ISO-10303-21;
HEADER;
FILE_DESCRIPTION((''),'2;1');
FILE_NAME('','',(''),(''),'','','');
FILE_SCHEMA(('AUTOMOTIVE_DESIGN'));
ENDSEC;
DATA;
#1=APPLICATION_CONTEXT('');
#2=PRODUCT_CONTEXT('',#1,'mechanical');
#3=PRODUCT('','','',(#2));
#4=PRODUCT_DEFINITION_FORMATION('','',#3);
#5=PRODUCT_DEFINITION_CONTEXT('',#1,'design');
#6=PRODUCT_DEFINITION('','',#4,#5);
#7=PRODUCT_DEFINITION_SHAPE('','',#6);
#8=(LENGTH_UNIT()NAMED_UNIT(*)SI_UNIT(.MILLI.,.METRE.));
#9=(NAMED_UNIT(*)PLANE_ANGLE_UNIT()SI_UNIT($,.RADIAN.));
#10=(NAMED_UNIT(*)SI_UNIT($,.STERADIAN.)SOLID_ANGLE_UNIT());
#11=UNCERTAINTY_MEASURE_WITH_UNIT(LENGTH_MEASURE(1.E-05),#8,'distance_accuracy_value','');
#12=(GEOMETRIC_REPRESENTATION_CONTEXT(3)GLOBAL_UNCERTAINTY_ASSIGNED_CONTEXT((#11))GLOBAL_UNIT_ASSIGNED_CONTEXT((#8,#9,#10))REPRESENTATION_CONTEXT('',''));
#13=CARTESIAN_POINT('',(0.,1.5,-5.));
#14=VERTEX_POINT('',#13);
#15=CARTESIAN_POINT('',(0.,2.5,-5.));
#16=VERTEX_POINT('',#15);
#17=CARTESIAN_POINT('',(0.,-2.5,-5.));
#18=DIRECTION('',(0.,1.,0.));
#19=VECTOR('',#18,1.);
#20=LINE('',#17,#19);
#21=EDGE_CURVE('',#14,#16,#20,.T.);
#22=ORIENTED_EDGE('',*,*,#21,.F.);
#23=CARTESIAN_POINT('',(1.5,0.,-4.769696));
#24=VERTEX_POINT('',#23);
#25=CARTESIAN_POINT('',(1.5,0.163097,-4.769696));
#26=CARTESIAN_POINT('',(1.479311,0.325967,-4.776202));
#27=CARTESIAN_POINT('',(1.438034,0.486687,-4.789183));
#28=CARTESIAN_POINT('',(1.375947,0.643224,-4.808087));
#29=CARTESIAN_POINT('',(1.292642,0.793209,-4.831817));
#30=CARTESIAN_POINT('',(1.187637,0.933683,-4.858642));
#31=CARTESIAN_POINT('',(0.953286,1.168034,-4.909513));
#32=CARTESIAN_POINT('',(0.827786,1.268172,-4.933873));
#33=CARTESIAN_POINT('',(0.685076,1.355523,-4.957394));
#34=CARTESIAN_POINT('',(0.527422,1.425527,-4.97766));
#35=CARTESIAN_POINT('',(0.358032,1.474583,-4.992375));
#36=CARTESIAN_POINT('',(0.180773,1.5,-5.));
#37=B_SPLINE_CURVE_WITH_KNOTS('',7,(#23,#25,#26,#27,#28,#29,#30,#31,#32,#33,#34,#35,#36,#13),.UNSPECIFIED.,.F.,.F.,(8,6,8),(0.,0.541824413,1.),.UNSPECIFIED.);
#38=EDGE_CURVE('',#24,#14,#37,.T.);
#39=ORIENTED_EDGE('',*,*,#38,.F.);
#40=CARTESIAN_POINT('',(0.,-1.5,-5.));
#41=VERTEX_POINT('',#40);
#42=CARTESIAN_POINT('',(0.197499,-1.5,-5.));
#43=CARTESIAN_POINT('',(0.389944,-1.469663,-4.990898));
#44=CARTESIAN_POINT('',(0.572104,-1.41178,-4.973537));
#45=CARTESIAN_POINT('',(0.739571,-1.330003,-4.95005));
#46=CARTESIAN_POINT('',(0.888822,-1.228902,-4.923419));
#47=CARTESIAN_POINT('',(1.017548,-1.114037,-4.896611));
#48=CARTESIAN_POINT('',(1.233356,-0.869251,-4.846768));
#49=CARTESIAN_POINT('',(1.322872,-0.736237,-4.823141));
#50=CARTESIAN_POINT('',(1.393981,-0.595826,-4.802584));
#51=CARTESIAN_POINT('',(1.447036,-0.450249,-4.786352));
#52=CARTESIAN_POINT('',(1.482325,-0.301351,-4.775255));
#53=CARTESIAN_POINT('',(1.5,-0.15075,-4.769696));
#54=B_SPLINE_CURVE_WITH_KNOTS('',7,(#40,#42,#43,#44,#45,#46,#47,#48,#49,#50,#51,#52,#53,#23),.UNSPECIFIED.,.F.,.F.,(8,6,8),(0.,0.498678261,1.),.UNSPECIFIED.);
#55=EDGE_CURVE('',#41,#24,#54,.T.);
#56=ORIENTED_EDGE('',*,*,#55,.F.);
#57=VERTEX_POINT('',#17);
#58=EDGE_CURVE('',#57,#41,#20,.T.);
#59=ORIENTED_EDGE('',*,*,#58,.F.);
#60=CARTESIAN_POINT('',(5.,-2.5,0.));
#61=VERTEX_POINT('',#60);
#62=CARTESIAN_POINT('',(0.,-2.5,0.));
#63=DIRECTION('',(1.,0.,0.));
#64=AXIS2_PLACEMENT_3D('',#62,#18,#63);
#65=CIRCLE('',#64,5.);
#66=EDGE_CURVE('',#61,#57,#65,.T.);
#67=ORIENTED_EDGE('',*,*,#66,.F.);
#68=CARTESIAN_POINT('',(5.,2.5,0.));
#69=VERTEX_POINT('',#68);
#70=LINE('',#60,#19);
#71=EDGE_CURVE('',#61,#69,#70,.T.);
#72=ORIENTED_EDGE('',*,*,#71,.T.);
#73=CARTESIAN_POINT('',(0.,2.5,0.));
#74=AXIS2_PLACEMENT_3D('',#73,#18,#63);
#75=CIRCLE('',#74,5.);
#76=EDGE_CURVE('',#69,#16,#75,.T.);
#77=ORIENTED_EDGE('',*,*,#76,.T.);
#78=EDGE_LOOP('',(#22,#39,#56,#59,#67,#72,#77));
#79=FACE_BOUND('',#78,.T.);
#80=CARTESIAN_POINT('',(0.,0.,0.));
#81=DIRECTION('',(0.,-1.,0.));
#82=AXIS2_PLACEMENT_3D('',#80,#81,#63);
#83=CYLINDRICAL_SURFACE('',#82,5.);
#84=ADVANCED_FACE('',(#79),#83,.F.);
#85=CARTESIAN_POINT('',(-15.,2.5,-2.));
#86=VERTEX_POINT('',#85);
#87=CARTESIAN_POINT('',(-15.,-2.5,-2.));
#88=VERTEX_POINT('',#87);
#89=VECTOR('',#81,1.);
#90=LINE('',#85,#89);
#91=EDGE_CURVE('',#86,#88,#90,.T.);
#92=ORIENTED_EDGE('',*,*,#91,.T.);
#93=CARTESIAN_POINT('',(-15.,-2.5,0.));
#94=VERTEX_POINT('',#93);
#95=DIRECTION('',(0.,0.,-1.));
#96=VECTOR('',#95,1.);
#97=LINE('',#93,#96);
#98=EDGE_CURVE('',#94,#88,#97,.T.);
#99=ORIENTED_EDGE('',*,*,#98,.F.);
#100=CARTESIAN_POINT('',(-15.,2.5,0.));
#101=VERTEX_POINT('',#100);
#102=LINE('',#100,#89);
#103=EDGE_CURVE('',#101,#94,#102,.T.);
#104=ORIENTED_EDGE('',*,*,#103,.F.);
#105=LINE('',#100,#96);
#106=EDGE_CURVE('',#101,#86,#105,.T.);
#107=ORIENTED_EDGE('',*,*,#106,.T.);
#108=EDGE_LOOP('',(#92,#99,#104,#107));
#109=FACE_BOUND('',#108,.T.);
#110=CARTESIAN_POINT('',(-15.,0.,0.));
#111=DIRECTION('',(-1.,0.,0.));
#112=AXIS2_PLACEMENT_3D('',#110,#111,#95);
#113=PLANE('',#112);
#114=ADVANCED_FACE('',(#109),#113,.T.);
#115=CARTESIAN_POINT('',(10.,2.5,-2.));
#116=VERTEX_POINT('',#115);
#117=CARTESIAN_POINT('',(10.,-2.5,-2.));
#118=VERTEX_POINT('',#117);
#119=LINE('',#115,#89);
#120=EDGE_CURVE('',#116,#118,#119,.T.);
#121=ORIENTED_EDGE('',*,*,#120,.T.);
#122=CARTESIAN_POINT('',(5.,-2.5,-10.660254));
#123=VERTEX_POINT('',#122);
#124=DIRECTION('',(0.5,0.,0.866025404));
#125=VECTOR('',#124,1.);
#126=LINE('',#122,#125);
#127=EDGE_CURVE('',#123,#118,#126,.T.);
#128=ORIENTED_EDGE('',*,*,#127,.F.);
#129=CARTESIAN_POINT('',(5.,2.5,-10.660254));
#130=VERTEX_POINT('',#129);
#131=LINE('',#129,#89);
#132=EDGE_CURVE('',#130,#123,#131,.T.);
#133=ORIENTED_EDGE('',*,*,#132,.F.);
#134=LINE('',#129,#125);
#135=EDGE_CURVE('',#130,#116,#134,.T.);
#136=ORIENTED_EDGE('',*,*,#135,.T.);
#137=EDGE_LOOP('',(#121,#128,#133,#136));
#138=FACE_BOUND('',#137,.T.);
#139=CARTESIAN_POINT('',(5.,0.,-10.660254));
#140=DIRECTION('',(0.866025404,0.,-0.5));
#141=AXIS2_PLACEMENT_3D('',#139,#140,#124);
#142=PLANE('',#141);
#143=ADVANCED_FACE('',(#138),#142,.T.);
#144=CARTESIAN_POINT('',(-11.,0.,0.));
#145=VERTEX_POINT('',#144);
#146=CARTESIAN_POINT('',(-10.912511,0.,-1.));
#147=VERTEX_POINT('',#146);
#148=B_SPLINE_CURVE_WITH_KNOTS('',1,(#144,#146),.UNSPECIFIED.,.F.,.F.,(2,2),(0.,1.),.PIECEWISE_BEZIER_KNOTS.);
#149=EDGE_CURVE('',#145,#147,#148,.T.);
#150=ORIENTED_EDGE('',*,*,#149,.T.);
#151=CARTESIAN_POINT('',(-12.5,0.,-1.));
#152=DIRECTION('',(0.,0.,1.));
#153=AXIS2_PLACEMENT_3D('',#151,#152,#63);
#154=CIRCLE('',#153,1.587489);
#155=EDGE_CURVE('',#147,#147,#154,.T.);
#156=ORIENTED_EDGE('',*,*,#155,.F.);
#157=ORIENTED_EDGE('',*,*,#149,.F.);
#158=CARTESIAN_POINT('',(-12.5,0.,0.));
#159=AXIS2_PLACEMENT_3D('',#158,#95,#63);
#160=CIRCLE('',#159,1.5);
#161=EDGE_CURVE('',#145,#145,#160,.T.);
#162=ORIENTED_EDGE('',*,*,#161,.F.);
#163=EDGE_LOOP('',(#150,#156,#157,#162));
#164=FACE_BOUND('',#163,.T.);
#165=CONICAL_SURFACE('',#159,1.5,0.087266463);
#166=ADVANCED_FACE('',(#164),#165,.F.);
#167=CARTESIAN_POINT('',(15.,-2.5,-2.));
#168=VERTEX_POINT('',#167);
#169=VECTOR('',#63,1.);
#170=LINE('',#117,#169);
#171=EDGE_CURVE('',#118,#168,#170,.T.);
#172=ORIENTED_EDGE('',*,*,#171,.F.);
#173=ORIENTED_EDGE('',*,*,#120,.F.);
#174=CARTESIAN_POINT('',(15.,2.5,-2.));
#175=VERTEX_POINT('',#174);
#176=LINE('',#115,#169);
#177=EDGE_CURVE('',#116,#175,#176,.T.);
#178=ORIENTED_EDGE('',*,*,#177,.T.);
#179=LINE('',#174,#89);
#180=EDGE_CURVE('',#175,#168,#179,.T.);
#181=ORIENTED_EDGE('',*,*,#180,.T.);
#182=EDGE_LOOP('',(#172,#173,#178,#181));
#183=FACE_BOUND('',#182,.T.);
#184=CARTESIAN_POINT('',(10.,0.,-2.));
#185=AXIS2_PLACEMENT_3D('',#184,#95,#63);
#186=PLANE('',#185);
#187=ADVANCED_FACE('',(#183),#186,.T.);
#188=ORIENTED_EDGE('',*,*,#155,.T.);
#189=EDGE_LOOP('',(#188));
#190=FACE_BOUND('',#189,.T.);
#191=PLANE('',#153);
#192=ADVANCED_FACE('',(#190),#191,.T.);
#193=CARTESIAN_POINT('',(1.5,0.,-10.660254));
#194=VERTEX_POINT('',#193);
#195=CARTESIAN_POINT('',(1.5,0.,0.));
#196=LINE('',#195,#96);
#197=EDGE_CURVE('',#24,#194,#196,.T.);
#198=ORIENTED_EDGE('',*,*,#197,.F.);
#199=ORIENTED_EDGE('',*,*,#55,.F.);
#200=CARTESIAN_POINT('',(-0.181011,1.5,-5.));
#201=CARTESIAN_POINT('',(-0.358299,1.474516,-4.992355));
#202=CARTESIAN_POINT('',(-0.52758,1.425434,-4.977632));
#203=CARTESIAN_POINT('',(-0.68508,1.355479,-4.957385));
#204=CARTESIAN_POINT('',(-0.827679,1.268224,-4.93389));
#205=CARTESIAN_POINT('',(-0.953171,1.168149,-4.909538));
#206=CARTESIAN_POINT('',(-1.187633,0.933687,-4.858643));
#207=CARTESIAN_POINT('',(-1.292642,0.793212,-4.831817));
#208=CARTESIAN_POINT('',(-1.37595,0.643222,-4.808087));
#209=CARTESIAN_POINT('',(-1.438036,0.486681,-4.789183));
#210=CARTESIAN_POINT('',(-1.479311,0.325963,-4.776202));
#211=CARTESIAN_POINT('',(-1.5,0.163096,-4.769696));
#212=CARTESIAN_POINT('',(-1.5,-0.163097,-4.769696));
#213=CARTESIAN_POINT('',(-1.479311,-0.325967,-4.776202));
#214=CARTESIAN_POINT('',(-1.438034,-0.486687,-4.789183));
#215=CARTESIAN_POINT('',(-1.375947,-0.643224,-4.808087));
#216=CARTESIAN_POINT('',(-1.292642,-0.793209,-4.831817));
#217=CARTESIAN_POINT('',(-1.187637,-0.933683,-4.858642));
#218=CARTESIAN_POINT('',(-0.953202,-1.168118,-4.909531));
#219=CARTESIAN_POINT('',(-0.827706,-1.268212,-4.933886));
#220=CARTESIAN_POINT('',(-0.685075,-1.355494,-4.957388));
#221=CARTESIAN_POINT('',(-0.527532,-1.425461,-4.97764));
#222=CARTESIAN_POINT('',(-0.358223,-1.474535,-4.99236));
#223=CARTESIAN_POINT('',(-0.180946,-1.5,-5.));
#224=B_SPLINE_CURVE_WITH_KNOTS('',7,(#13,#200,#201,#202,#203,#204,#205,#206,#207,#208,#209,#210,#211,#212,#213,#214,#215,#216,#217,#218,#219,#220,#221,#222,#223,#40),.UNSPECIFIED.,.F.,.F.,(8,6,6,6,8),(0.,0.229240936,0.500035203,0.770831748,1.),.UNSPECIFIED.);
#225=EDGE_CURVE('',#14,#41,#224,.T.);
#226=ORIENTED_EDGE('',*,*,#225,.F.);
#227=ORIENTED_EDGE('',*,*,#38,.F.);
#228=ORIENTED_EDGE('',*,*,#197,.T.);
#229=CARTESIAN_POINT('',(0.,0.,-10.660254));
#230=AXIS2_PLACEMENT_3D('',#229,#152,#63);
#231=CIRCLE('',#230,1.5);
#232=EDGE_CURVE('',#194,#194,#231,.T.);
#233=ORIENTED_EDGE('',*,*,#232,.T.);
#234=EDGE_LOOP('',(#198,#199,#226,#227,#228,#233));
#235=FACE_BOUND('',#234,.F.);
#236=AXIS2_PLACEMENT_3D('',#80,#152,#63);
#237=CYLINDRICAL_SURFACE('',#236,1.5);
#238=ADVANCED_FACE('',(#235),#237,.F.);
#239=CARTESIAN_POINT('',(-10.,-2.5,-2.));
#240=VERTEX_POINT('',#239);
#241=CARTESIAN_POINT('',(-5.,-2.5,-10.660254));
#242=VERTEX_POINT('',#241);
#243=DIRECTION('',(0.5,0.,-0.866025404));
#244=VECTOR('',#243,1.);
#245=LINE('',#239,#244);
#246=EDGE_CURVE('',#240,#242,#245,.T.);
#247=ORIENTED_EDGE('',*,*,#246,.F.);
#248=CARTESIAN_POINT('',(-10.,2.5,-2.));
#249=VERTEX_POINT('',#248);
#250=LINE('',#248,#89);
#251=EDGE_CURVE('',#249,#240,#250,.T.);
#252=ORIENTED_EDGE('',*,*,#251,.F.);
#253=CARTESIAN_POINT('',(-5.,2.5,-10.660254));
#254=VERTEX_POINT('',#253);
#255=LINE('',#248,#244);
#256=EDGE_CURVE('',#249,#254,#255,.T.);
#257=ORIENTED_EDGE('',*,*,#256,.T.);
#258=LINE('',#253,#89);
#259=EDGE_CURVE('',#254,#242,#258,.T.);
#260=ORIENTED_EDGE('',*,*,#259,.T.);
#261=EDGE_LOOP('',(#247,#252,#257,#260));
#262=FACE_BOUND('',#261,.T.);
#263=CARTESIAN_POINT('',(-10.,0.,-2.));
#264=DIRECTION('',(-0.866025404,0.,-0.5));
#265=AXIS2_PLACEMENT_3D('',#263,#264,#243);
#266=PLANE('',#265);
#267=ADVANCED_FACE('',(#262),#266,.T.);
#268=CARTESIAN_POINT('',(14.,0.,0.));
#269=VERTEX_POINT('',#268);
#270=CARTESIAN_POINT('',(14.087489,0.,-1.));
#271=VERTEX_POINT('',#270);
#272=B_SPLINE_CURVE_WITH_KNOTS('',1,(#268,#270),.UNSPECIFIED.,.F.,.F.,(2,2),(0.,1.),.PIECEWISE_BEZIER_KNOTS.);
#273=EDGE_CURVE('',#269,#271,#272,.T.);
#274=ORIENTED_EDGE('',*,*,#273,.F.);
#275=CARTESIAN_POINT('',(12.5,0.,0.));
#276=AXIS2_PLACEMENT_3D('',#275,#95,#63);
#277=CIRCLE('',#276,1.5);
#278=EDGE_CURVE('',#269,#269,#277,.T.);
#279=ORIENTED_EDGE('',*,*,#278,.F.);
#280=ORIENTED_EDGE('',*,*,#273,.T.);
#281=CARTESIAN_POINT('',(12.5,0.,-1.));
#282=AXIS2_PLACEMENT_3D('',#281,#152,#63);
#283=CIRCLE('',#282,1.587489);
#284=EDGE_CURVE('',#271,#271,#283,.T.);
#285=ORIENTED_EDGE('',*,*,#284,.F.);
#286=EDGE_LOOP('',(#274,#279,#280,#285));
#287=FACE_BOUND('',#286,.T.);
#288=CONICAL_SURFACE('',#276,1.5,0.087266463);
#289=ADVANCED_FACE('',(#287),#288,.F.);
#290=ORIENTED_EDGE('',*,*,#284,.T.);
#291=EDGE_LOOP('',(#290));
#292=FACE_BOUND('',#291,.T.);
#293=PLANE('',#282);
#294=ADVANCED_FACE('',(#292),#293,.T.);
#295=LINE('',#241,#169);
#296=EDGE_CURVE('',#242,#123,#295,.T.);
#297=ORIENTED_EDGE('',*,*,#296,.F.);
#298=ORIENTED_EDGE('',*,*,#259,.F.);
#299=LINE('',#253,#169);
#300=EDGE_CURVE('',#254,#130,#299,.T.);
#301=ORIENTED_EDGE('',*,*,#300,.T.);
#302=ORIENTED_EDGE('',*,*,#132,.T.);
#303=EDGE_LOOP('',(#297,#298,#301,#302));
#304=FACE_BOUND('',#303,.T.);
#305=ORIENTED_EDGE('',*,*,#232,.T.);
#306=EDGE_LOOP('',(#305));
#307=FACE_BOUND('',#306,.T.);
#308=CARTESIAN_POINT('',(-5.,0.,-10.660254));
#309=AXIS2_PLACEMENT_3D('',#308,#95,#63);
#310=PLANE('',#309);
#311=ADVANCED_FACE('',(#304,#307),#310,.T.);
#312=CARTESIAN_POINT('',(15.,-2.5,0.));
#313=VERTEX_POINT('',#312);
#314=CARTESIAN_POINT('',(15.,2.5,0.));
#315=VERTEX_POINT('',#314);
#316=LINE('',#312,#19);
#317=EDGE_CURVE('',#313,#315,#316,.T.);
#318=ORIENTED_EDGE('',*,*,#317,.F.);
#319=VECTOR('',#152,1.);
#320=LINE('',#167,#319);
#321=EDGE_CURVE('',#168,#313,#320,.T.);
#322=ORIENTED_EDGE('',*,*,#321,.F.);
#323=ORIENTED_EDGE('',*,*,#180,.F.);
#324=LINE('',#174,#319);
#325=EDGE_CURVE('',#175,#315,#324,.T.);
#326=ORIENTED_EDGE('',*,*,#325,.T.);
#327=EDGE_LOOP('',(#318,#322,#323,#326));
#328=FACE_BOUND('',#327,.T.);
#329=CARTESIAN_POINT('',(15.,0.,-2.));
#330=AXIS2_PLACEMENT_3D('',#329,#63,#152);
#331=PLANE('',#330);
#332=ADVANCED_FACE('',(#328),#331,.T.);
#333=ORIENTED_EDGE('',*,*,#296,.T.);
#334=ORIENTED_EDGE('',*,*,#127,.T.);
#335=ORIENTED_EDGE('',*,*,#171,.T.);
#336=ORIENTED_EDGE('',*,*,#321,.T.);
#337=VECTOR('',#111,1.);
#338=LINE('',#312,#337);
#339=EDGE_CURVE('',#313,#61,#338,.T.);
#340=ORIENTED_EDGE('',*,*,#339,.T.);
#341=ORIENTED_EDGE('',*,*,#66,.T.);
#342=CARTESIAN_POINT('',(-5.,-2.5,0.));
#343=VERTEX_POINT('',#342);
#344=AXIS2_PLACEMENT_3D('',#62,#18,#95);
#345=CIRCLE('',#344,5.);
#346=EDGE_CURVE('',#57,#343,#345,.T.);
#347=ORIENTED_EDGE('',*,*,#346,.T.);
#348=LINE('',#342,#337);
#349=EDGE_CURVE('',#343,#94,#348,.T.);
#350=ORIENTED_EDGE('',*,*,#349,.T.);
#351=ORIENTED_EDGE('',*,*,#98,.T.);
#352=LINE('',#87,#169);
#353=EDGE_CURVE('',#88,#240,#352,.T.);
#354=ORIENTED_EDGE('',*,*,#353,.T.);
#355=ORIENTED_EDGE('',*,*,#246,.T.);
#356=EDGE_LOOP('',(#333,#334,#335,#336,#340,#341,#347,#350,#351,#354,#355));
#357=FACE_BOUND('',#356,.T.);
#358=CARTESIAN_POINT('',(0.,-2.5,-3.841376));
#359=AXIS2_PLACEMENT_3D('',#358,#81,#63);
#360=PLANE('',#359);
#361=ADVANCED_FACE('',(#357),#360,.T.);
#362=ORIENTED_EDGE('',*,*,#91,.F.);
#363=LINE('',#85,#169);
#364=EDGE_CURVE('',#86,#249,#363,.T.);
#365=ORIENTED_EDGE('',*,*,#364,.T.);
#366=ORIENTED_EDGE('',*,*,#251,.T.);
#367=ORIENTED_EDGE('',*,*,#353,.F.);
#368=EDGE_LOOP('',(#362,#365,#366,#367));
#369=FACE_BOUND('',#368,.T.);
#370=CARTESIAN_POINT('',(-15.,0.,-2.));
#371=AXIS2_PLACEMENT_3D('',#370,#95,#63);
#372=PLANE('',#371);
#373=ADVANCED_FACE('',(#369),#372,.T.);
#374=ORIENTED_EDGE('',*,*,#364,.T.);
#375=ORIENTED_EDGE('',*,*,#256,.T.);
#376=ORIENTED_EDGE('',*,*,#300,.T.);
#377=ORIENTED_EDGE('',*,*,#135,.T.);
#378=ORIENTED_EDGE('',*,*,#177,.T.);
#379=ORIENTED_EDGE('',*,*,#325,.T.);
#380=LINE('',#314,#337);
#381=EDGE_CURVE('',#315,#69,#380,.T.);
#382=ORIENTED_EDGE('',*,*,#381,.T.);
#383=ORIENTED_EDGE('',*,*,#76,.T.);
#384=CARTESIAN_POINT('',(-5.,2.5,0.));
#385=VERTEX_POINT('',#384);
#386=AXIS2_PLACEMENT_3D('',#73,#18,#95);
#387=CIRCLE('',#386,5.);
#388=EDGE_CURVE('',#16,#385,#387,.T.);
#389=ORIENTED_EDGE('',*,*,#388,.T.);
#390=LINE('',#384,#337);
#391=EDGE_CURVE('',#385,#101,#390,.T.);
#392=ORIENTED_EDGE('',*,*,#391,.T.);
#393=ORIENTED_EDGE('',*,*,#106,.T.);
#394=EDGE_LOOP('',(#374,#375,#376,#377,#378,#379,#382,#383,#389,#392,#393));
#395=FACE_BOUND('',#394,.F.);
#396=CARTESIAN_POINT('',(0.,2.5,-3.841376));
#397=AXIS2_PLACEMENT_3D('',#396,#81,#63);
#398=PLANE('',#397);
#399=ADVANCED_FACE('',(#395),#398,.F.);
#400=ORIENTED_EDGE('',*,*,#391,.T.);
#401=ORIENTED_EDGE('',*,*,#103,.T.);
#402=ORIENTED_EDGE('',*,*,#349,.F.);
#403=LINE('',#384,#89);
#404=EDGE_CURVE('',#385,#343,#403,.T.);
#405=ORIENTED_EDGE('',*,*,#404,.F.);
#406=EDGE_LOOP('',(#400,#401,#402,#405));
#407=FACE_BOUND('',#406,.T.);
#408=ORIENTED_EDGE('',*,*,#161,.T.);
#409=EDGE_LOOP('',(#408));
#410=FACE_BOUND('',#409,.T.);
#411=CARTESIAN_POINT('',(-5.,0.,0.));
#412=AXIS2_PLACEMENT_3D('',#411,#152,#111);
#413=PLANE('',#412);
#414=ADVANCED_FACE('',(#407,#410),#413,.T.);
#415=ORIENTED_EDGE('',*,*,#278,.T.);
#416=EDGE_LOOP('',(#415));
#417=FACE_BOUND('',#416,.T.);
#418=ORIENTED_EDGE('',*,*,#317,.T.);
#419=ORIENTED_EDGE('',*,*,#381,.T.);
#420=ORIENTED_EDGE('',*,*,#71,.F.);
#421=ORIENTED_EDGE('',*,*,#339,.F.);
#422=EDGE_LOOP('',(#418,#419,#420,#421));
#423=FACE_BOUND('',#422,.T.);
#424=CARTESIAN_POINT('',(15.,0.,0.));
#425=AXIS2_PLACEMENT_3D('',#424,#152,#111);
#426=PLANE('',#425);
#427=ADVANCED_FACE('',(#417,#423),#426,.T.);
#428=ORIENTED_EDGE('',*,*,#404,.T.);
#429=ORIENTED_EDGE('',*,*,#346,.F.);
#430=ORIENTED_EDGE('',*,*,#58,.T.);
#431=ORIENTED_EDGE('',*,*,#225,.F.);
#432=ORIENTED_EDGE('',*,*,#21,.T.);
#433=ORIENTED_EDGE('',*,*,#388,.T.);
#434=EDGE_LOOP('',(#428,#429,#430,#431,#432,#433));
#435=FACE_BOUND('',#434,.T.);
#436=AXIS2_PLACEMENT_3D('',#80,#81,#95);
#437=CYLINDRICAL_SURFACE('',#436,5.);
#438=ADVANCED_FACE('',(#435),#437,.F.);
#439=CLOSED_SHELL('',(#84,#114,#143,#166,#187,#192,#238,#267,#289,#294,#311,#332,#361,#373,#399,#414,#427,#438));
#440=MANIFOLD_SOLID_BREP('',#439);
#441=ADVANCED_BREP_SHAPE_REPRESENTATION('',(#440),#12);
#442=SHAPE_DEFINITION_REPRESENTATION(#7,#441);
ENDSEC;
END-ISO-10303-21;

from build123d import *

# Parameters (mm, degrees)
F1_DEPTH = 2.5
F3_R     = 1.5
F4_DEPTH = 1
F4_TAPER = -5
F5_DEPTH = 25


with BuildPart() as f1:
    # F0 (on Front) → F1 (new body, symmetric)
    with BuildSketch(Plane.XZ):
        with BuildLine():
            ThreePointArc((0, -5), (-3.5355339059, -3.5355339059), (-5, 0))
            Line((-5, 0), (-15, 0))
            Line((-15, 0), (-15, -2))
            Line((-15, -2), (-10, -2))
            Line((-10, -2), (-5, -10.6602540378))
            Line((-5, -10.6602540378), (0, -10.6602540378))
            Line((0, -10.6602540378), (5, -10.6602540378))
            Line((5, -10.6602540378), (10, -2))
            Line((10, -2), (15, -2))
            Line((15, -2), (15, 0))
            Line((15, 0), (5, 0))
            ThreePointArc((5, 0), (3.5355339059, -3.5355339059), (0, -5))
        make_face()
    extrude(amount=F1_DEPTH, both=True)

    # F3 (on offset) → F4 (cut)
    with BuildSketch(Plane.XY):
        with Locations((-12.5, 0)):
            Circle(F3_R)
        with Locations((12.5, 0)):
            Circle(F3_R)
    extrude(amount=-F4_DEPTH, taper=F4_TAPER, mode=Mode.SUBTRACT)

    # F3 (on offset) → F5 (cut)
    with BuildSketch(Plane.XY):
        Circle(F3_R)
    extrude(amount=-F5_DEPTH, mode=Mode.SUBTRACT)


solid = f1.part
